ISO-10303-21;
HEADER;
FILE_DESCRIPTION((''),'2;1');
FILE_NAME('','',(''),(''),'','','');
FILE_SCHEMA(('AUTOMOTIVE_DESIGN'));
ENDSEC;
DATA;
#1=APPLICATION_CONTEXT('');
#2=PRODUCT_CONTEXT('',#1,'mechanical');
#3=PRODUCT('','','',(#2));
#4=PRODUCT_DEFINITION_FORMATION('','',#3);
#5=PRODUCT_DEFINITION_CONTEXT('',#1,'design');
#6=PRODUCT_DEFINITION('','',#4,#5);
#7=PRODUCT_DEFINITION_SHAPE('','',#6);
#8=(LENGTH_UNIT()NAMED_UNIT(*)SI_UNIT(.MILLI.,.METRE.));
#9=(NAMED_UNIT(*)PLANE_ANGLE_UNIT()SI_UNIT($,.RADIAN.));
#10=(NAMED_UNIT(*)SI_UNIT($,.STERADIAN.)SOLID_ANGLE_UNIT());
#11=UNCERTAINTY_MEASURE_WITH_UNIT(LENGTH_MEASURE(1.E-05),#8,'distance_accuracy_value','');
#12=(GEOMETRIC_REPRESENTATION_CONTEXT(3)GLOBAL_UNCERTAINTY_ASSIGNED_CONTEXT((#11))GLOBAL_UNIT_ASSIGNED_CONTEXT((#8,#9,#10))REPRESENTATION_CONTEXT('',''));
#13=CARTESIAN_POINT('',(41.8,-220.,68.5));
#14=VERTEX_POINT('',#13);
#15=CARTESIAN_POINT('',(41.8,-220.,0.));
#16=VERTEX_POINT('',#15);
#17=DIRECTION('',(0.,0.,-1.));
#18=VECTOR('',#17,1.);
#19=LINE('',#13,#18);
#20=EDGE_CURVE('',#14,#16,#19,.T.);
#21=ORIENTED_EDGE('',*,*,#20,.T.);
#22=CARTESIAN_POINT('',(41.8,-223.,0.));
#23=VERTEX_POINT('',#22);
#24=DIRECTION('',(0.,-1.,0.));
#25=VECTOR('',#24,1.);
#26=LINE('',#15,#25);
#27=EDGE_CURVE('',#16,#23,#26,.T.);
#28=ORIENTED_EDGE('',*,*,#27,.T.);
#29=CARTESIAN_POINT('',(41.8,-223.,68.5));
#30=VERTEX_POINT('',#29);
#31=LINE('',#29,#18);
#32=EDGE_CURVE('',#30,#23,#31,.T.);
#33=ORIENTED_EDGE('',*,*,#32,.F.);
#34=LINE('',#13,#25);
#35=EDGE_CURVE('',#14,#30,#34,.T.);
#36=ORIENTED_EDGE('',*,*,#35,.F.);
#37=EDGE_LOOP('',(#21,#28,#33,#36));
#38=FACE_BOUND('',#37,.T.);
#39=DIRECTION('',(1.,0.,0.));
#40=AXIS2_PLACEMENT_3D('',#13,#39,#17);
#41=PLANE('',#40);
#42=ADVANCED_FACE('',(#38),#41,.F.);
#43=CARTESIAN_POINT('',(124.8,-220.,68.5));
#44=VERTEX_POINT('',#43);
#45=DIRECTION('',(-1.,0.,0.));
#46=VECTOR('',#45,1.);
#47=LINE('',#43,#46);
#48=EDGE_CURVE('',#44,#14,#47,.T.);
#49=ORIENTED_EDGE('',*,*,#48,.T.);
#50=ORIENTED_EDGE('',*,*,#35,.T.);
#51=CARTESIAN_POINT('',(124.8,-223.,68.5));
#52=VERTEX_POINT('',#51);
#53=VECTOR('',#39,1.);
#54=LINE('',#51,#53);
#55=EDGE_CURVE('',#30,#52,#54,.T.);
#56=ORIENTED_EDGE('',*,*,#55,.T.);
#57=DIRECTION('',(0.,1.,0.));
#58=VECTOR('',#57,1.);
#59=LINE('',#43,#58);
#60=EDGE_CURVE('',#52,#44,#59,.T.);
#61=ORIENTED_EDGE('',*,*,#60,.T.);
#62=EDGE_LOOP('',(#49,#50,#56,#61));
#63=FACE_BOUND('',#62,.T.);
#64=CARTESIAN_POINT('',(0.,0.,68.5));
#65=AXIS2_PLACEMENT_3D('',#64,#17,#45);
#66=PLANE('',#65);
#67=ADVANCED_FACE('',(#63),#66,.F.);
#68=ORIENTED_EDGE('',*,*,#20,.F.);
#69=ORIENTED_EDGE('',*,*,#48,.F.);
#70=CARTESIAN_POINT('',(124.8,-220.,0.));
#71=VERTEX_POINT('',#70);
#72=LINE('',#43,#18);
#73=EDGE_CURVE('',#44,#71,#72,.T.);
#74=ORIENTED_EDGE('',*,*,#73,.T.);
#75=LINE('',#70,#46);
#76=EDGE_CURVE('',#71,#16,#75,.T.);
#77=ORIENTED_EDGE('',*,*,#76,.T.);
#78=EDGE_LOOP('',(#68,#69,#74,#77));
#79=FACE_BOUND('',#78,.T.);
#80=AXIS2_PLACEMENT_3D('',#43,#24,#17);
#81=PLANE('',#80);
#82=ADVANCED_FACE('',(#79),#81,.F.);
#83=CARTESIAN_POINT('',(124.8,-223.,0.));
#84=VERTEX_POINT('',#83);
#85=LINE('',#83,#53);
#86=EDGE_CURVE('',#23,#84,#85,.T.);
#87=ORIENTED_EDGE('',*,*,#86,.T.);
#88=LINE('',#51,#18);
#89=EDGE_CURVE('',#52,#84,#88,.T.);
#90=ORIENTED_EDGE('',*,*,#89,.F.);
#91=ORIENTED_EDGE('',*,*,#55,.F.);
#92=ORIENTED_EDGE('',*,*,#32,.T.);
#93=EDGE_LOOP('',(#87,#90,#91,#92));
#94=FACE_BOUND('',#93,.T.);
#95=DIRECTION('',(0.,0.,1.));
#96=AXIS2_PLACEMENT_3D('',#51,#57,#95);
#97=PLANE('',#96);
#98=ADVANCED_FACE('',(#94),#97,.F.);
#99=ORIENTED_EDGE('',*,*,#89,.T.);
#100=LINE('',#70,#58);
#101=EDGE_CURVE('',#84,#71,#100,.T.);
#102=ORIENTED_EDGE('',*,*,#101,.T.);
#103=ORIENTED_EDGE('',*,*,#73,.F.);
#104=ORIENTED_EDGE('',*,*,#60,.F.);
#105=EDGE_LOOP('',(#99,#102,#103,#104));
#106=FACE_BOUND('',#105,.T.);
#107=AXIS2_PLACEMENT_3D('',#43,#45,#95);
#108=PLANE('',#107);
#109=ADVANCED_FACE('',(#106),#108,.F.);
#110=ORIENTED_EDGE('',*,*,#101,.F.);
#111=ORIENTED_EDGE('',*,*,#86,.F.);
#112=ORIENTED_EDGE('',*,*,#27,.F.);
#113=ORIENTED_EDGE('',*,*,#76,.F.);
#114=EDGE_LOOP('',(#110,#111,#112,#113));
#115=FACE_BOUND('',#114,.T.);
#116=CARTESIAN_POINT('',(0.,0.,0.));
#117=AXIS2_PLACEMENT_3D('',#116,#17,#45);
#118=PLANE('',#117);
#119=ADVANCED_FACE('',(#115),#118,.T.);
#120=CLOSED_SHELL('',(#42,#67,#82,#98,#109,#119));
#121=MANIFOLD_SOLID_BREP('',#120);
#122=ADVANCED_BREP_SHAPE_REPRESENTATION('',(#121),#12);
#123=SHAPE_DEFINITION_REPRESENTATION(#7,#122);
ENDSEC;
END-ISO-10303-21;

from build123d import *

# Parameters (mm, degrees)
SKETCH1_W           = 83
SKETCH1_H           = 3
BOSS_EXTRUDE1_DEPTH = 68.5


with BuildPart() as part:
    # Sketch1 → Boss-Extrude1 (new body)
    with BuildSketch(Plane.XY):
        with Locations((83.3, -221.5)):
            Rectangle(SKETCH1_W, SKETCH1_H)
    extrude(amount=BOSS_EXTRUDE1_DEPTH)


solid = part.part
